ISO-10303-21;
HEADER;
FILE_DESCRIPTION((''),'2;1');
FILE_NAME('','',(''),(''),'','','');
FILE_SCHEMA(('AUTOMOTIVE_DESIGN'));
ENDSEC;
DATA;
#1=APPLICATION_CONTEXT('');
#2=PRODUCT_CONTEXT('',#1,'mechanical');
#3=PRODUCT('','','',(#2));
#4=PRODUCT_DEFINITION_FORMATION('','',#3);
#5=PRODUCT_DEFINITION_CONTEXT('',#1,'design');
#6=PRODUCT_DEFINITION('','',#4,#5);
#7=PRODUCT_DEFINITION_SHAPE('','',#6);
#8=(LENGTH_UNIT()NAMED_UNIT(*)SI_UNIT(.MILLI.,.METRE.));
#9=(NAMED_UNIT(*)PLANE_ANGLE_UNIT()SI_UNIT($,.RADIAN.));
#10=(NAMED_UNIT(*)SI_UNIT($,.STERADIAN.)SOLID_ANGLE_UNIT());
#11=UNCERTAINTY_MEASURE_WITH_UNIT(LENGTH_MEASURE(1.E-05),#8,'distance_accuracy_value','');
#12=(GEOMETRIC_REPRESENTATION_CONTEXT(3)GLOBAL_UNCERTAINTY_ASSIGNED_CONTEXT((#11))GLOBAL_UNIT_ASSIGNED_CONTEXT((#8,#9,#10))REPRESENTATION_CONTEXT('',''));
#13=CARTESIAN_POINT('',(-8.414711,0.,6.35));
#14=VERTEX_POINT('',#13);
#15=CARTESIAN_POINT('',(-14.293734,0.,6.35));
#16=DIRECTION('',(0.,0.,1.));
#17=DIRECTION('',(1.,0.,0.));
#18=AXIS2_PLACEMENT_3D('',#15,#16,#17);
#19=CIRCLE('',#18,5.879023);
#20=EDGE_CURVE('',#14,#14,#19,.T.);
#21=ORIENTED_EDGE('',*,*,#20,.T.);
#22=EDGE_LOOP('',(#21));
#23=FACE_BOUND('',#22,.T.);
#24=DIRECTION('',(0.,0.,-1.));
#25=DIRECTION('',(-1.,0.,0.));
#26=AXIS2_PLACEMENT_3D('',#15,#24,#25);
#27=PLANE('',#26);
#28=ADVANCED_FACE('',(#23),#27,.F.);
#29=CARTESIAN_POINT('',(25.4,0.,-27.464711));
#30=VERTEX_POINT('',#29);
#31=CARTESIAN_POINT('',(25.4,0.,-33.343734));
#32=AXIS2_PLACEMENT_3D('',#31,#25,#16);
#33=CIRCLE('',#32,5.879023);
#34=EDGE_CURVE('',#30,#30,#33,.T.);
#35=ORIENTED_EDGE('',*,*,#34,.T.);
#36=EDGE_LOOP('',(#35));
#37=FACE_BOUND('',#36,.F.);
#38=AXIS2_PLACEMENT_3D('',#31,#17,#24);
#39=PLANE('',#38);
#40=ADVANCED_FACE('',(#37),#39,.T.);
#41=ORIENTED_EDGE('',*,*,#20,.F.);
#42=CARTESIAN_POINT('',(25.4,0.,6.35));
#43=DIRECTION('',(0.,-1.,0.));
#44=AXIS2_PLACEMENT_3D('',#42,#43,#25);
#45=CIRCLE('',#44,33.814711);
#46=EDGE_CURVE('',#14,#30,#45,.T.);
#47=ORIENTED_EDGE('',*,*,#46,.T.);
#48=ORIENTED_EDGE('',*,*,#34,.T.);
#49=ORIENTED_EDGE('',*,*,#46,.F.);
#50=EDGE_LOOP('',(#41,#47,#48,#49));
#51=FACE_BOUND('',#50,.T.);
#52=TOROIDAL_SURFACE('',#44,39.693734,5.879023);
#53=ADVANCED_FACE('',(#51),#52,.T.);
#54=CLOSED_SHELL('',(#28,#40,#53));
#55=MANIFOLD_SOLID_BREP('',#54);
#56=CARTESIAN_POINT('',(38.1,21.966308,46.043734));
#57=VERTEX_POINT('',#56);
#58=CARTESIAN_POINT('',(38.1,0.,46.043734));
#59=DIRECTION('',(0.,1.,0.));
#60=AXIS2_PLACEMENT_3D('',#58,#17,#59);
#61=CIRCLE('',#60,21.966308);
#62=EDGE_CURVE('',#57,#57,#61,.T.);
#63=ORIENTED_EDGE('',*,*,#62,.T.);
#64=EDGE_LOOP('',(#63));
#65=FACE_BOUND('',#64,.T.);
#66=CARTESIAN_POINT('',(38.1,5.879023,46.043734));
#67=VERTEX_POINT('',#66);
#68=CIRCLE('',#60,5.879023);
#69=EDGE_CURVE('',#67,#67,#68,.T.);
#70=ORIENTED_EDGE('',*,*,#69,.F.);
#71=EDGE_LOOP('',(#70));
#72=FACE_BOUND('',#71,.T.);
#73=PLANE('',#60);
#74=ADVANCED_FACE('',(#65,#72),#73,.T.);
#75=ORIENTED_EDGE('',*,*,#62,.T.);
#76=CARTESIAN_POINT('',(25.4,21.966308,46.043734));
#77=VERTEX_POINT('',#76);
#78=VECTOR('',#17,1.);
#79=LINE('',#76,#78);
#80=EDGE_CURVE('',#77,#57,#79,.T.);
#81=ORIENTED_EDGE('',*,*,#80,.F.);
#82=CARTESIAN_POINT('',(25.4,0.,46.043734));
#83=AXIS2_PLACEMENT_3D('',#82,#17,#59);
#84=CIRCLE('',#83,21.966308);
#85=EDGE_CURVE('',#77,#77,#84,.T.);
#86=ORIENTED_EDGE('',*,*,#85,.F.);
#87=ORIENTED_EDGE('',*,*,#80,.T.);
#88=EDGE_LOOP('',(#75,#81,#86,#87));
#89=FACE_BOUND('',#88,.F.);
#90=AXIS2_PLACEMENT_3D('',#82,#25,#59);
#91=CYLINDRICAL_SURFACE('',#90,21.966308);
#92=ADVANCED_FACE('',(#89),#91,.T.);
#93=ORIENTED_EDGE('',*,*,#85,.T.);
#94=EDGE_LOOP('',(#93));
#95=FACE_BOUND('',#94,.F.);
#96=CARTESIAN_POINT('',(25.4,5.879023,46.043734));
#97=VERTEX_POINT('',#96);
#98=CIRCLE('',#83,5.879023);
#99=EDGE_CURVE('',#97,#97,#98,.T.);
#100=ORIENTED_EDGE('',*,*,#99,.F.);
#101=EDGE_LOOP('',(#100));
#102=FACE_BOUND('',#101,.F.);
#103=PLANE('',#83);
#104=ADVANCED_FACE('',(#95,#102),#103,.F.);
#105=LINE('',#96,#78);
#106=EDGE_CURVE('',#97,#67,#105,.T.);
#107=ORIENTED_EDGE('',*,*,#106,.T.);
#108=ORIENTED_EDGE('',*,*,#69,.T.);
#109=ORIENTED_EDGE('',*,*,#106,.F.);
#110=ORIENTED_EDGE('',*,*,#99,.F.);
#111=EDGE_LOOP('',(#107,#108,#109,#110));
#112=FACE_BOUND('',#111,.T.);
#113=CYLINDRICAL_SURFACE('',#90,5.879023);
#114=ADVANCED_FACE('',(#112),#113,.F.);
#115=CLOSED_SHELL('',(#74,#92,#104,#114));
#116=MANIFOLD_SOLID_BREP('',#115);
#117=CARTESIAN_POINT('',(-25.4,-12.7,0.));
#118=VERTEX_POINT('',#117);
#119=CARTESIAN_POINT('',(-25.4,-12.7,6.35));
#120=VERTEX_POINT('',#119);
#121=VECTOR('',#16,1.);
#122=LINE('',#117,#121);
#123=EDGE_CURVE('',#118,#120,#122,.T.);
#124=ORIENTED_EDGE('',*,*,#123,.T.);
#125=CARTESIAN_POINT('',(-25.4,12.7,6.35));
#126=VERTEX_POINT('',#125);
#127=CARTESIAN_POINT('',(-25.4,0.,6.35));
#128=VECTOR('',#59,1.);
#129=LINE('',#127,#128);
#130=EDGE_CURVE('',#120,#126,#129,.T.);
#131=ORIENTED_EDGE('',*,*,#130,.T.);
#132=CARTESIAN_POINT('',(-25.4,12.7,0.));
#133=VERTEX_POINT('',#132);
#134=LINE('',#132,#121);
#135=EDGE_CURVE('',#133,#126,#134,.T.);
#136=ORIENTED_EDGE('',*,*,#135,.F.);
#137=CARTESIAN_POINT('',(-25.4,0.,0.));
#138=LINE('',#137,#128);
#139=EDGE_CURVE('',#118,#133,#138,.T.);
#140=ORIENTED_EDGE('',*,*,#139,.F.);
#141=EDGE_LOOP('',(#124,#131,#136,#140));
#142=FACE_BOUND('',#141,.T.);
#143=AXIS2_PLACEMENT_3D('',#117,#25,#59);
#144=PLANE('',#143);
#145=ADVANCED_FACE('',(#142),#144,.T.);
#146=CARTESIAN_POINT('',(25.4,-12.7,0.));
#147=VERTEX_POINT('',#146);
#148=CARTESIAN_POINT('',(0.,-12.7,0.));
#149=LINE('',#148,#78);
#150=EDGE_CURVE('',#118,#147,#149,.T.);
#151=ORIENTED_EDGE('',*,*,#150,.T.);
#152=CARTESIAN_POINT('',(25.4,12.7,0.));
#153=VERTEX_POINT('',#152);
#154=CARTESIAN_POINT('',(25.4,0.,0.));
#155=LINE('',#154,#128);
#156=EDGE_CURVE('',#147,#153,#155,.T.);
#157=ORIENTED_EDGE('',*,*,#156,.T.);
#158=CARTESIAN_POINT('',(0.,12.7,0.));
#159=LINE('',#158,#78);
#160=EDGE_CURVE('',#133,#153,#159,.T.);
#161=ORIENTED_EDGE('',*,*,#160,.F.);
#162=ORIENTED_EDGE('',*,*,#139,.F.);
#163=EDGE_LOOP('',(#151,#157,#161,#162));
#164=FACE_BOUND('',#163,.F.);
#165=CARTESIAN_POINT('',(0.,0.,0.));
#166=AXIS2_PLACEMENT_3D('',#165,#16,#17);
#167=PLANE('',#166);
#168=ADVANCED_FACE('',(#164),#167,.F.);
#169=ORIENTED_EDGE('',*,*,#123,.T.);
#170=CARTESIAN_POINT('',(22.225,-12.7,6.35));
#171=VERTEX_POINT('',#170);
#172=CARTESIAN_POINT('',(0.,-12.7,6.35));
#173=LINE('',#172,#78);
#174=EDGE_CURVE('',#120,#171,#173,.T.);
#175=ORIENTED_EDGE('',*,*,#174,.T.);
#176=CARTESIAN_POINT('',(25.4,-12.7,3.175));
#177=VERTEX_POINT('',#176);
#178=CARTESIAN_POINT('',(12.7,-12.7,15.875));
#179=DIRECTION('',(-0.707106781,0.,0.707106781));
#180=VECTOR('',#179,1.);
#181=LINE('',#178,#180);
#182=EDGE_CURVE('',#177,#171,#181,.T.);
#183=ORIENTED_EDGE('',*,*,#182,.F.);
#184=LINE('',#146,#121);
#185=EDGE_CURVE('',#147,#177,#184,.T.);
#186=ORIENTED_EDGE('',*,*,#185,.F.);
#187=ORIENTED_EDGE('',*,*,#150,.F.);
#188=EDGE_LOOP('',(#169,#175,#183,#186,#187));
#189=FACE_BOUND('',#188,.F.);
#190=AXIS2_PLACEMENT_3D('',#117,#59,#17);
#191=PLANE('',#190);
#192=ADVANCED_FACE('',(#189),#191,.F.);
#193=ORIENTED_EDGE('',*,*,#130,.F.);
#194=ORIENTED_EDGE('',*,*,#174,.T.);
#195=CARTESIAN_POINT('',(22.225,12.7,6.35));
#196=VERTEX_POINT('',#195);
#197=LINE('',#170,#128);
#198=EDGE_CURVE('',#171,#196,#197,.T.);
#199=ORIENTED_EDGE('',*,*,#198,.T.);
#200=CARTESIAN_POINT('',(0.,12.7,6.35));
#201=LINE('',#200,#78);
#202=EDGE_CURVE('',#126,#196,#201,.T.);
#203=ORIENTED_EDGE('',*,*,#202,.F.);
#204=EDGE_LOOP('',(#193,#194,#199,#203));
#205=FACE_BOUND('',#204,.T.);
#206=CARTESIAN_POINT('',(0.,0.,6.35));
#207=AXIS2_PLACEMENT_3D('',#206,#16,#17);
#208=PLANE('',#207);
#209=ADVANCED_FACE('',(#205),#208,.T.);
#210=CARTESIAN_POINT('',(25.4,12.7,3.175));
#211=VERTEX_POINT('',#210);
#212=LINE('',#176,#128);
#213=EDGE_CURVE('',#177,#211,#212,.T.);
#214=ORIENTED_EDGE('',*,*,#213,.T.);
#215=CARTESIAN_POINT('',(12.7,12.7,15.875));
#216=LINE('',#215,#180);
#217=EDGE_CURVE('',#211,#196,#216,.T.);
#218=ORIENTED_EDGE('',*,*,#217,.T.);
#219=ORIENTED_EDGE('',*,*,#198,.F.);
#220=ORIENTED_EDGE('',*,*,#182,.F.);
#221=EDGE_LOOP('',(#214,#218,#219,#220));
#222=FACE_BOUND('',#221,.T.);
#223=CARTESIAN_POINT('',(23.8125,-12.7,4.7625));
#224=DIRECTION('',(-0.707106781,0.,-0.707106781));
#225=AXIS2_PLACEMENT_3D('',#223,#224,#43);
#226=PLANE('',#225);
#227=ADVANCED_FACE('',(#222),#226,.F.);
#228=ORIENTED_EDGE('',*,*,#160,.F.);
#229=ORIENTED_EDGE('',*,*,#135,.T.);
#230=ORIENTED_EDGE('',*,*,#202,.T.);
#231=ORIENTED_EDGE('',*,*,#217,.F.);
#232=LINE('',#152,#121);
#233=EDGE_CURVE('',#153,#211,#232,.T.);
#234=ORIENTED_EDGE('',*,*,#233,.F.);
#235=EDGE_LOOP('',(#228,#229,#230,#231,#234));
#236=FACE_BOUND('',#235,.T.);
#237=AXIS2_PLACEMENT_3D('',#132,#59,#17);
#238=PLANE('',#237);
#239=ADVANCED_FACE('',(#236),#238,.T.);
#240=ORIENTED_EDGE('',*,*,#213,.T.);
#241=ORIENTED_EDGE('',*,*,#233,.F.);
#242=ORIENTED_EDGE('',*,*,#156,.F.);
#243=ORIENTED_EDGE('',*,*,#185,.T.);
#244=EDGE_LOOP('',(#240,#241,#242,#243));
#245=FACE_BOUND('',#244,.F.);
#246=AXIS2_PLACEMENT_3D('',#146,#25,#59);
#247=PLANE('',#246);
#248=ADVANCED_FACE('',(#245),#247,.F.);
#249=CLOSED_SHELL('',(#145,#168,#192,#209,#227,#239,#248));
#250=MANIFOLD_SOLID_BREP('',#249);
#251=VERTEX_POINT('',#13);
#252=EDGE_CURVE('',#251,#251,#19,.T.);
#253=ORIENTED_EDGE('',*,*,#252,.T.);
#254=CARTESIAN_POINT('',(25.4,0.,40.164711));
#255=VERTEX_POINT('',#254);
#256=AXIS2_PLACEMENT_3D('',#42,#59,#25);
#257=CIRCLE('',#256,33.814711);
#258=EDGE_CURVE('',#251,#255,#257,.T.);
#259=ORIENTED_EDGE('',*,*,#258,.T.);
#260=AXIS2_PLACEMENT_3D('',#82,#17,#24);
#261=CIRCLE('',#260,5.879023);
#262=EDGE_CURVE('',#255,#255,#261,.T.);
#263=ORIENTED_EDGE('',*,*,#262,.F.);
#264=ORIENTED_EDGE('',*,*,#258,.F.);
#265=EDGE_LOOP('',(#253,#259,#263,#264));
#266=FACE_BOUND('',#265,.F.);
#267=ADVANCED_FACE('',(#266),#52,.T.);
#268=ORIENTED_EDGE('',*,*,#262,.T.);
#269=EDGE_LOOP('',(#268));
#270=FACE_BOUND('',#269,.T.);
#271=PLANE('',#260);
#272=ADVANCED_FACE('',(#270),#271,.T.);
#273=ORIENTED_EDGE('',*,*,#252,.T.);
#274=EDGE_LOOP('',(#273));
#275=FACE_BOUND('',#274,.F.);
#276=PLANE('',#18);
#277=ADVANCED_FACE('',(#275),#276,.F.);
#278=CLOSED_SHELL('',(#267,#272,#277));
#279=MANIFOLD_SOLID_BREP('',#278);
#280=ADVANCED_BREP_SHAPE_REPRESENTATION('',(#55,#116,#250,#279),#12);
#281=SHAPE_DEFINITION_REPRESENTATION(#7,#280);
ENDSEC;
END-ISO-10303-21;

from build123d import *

# Parameters (mm, degrees)
F0_W     = 50.8
F0_H     = 25.4
F1_DEPTH = 6.35
F2_R     = 5.8790232396
F3_ANGLE = 90
F4_R     = 21.9663082532
F4_R_2   = 5.8790232396
F5_DEPTH = 12.7
F7_SIZE  = 3.175


with BuildPart() as f1:
    # F0 (on Top) → F1 (new body)
    with BuildSketch(Plane.XY):
        Rectangle(F0_W, F0_H)
    extrude(amount=F1_DEPTH)

    # F7
    f7_edges = [f1.edges().sort_by_distance(p)[0] for p in [
        (25.4, 0, 6.35),
    ]]
    chamfer(f7_edges, length=F7_SIZE)


with BuildPart() as f3:
    # F2 (on face) → F3 (revolve)
    with BuildSketch(Plane.XY.offset(6.35)):
        with Locations((-14.2937339842, 0)):
            Circle(F2_R)
    revolve(axis=Axis((25.4, 0, 6.35), (0, 1, 0)), revolution_arc=F3_ANGLE)


with BuildPart() as f5:
    # F4 (on face) → F5 (new body)
    with BuildSketch(Plane.YZ.offset(25.4)):
        with Locations((0, 46.0437339842)):
            Circle(F4_R)
        with Locations((0, 46.0437339842)):
            Circle(F4_R_2, mode=Mode.SUBTRACT)
    extrude(amount=F5_DEPTH)


with BuildPart() as f6_1:
    # F6: instance of F3
    add(f3.part.mirror(Plane.XY.offset(6.35)))


solid = Compound([f1.part, f3.part, f5.part, f6_1.part])
